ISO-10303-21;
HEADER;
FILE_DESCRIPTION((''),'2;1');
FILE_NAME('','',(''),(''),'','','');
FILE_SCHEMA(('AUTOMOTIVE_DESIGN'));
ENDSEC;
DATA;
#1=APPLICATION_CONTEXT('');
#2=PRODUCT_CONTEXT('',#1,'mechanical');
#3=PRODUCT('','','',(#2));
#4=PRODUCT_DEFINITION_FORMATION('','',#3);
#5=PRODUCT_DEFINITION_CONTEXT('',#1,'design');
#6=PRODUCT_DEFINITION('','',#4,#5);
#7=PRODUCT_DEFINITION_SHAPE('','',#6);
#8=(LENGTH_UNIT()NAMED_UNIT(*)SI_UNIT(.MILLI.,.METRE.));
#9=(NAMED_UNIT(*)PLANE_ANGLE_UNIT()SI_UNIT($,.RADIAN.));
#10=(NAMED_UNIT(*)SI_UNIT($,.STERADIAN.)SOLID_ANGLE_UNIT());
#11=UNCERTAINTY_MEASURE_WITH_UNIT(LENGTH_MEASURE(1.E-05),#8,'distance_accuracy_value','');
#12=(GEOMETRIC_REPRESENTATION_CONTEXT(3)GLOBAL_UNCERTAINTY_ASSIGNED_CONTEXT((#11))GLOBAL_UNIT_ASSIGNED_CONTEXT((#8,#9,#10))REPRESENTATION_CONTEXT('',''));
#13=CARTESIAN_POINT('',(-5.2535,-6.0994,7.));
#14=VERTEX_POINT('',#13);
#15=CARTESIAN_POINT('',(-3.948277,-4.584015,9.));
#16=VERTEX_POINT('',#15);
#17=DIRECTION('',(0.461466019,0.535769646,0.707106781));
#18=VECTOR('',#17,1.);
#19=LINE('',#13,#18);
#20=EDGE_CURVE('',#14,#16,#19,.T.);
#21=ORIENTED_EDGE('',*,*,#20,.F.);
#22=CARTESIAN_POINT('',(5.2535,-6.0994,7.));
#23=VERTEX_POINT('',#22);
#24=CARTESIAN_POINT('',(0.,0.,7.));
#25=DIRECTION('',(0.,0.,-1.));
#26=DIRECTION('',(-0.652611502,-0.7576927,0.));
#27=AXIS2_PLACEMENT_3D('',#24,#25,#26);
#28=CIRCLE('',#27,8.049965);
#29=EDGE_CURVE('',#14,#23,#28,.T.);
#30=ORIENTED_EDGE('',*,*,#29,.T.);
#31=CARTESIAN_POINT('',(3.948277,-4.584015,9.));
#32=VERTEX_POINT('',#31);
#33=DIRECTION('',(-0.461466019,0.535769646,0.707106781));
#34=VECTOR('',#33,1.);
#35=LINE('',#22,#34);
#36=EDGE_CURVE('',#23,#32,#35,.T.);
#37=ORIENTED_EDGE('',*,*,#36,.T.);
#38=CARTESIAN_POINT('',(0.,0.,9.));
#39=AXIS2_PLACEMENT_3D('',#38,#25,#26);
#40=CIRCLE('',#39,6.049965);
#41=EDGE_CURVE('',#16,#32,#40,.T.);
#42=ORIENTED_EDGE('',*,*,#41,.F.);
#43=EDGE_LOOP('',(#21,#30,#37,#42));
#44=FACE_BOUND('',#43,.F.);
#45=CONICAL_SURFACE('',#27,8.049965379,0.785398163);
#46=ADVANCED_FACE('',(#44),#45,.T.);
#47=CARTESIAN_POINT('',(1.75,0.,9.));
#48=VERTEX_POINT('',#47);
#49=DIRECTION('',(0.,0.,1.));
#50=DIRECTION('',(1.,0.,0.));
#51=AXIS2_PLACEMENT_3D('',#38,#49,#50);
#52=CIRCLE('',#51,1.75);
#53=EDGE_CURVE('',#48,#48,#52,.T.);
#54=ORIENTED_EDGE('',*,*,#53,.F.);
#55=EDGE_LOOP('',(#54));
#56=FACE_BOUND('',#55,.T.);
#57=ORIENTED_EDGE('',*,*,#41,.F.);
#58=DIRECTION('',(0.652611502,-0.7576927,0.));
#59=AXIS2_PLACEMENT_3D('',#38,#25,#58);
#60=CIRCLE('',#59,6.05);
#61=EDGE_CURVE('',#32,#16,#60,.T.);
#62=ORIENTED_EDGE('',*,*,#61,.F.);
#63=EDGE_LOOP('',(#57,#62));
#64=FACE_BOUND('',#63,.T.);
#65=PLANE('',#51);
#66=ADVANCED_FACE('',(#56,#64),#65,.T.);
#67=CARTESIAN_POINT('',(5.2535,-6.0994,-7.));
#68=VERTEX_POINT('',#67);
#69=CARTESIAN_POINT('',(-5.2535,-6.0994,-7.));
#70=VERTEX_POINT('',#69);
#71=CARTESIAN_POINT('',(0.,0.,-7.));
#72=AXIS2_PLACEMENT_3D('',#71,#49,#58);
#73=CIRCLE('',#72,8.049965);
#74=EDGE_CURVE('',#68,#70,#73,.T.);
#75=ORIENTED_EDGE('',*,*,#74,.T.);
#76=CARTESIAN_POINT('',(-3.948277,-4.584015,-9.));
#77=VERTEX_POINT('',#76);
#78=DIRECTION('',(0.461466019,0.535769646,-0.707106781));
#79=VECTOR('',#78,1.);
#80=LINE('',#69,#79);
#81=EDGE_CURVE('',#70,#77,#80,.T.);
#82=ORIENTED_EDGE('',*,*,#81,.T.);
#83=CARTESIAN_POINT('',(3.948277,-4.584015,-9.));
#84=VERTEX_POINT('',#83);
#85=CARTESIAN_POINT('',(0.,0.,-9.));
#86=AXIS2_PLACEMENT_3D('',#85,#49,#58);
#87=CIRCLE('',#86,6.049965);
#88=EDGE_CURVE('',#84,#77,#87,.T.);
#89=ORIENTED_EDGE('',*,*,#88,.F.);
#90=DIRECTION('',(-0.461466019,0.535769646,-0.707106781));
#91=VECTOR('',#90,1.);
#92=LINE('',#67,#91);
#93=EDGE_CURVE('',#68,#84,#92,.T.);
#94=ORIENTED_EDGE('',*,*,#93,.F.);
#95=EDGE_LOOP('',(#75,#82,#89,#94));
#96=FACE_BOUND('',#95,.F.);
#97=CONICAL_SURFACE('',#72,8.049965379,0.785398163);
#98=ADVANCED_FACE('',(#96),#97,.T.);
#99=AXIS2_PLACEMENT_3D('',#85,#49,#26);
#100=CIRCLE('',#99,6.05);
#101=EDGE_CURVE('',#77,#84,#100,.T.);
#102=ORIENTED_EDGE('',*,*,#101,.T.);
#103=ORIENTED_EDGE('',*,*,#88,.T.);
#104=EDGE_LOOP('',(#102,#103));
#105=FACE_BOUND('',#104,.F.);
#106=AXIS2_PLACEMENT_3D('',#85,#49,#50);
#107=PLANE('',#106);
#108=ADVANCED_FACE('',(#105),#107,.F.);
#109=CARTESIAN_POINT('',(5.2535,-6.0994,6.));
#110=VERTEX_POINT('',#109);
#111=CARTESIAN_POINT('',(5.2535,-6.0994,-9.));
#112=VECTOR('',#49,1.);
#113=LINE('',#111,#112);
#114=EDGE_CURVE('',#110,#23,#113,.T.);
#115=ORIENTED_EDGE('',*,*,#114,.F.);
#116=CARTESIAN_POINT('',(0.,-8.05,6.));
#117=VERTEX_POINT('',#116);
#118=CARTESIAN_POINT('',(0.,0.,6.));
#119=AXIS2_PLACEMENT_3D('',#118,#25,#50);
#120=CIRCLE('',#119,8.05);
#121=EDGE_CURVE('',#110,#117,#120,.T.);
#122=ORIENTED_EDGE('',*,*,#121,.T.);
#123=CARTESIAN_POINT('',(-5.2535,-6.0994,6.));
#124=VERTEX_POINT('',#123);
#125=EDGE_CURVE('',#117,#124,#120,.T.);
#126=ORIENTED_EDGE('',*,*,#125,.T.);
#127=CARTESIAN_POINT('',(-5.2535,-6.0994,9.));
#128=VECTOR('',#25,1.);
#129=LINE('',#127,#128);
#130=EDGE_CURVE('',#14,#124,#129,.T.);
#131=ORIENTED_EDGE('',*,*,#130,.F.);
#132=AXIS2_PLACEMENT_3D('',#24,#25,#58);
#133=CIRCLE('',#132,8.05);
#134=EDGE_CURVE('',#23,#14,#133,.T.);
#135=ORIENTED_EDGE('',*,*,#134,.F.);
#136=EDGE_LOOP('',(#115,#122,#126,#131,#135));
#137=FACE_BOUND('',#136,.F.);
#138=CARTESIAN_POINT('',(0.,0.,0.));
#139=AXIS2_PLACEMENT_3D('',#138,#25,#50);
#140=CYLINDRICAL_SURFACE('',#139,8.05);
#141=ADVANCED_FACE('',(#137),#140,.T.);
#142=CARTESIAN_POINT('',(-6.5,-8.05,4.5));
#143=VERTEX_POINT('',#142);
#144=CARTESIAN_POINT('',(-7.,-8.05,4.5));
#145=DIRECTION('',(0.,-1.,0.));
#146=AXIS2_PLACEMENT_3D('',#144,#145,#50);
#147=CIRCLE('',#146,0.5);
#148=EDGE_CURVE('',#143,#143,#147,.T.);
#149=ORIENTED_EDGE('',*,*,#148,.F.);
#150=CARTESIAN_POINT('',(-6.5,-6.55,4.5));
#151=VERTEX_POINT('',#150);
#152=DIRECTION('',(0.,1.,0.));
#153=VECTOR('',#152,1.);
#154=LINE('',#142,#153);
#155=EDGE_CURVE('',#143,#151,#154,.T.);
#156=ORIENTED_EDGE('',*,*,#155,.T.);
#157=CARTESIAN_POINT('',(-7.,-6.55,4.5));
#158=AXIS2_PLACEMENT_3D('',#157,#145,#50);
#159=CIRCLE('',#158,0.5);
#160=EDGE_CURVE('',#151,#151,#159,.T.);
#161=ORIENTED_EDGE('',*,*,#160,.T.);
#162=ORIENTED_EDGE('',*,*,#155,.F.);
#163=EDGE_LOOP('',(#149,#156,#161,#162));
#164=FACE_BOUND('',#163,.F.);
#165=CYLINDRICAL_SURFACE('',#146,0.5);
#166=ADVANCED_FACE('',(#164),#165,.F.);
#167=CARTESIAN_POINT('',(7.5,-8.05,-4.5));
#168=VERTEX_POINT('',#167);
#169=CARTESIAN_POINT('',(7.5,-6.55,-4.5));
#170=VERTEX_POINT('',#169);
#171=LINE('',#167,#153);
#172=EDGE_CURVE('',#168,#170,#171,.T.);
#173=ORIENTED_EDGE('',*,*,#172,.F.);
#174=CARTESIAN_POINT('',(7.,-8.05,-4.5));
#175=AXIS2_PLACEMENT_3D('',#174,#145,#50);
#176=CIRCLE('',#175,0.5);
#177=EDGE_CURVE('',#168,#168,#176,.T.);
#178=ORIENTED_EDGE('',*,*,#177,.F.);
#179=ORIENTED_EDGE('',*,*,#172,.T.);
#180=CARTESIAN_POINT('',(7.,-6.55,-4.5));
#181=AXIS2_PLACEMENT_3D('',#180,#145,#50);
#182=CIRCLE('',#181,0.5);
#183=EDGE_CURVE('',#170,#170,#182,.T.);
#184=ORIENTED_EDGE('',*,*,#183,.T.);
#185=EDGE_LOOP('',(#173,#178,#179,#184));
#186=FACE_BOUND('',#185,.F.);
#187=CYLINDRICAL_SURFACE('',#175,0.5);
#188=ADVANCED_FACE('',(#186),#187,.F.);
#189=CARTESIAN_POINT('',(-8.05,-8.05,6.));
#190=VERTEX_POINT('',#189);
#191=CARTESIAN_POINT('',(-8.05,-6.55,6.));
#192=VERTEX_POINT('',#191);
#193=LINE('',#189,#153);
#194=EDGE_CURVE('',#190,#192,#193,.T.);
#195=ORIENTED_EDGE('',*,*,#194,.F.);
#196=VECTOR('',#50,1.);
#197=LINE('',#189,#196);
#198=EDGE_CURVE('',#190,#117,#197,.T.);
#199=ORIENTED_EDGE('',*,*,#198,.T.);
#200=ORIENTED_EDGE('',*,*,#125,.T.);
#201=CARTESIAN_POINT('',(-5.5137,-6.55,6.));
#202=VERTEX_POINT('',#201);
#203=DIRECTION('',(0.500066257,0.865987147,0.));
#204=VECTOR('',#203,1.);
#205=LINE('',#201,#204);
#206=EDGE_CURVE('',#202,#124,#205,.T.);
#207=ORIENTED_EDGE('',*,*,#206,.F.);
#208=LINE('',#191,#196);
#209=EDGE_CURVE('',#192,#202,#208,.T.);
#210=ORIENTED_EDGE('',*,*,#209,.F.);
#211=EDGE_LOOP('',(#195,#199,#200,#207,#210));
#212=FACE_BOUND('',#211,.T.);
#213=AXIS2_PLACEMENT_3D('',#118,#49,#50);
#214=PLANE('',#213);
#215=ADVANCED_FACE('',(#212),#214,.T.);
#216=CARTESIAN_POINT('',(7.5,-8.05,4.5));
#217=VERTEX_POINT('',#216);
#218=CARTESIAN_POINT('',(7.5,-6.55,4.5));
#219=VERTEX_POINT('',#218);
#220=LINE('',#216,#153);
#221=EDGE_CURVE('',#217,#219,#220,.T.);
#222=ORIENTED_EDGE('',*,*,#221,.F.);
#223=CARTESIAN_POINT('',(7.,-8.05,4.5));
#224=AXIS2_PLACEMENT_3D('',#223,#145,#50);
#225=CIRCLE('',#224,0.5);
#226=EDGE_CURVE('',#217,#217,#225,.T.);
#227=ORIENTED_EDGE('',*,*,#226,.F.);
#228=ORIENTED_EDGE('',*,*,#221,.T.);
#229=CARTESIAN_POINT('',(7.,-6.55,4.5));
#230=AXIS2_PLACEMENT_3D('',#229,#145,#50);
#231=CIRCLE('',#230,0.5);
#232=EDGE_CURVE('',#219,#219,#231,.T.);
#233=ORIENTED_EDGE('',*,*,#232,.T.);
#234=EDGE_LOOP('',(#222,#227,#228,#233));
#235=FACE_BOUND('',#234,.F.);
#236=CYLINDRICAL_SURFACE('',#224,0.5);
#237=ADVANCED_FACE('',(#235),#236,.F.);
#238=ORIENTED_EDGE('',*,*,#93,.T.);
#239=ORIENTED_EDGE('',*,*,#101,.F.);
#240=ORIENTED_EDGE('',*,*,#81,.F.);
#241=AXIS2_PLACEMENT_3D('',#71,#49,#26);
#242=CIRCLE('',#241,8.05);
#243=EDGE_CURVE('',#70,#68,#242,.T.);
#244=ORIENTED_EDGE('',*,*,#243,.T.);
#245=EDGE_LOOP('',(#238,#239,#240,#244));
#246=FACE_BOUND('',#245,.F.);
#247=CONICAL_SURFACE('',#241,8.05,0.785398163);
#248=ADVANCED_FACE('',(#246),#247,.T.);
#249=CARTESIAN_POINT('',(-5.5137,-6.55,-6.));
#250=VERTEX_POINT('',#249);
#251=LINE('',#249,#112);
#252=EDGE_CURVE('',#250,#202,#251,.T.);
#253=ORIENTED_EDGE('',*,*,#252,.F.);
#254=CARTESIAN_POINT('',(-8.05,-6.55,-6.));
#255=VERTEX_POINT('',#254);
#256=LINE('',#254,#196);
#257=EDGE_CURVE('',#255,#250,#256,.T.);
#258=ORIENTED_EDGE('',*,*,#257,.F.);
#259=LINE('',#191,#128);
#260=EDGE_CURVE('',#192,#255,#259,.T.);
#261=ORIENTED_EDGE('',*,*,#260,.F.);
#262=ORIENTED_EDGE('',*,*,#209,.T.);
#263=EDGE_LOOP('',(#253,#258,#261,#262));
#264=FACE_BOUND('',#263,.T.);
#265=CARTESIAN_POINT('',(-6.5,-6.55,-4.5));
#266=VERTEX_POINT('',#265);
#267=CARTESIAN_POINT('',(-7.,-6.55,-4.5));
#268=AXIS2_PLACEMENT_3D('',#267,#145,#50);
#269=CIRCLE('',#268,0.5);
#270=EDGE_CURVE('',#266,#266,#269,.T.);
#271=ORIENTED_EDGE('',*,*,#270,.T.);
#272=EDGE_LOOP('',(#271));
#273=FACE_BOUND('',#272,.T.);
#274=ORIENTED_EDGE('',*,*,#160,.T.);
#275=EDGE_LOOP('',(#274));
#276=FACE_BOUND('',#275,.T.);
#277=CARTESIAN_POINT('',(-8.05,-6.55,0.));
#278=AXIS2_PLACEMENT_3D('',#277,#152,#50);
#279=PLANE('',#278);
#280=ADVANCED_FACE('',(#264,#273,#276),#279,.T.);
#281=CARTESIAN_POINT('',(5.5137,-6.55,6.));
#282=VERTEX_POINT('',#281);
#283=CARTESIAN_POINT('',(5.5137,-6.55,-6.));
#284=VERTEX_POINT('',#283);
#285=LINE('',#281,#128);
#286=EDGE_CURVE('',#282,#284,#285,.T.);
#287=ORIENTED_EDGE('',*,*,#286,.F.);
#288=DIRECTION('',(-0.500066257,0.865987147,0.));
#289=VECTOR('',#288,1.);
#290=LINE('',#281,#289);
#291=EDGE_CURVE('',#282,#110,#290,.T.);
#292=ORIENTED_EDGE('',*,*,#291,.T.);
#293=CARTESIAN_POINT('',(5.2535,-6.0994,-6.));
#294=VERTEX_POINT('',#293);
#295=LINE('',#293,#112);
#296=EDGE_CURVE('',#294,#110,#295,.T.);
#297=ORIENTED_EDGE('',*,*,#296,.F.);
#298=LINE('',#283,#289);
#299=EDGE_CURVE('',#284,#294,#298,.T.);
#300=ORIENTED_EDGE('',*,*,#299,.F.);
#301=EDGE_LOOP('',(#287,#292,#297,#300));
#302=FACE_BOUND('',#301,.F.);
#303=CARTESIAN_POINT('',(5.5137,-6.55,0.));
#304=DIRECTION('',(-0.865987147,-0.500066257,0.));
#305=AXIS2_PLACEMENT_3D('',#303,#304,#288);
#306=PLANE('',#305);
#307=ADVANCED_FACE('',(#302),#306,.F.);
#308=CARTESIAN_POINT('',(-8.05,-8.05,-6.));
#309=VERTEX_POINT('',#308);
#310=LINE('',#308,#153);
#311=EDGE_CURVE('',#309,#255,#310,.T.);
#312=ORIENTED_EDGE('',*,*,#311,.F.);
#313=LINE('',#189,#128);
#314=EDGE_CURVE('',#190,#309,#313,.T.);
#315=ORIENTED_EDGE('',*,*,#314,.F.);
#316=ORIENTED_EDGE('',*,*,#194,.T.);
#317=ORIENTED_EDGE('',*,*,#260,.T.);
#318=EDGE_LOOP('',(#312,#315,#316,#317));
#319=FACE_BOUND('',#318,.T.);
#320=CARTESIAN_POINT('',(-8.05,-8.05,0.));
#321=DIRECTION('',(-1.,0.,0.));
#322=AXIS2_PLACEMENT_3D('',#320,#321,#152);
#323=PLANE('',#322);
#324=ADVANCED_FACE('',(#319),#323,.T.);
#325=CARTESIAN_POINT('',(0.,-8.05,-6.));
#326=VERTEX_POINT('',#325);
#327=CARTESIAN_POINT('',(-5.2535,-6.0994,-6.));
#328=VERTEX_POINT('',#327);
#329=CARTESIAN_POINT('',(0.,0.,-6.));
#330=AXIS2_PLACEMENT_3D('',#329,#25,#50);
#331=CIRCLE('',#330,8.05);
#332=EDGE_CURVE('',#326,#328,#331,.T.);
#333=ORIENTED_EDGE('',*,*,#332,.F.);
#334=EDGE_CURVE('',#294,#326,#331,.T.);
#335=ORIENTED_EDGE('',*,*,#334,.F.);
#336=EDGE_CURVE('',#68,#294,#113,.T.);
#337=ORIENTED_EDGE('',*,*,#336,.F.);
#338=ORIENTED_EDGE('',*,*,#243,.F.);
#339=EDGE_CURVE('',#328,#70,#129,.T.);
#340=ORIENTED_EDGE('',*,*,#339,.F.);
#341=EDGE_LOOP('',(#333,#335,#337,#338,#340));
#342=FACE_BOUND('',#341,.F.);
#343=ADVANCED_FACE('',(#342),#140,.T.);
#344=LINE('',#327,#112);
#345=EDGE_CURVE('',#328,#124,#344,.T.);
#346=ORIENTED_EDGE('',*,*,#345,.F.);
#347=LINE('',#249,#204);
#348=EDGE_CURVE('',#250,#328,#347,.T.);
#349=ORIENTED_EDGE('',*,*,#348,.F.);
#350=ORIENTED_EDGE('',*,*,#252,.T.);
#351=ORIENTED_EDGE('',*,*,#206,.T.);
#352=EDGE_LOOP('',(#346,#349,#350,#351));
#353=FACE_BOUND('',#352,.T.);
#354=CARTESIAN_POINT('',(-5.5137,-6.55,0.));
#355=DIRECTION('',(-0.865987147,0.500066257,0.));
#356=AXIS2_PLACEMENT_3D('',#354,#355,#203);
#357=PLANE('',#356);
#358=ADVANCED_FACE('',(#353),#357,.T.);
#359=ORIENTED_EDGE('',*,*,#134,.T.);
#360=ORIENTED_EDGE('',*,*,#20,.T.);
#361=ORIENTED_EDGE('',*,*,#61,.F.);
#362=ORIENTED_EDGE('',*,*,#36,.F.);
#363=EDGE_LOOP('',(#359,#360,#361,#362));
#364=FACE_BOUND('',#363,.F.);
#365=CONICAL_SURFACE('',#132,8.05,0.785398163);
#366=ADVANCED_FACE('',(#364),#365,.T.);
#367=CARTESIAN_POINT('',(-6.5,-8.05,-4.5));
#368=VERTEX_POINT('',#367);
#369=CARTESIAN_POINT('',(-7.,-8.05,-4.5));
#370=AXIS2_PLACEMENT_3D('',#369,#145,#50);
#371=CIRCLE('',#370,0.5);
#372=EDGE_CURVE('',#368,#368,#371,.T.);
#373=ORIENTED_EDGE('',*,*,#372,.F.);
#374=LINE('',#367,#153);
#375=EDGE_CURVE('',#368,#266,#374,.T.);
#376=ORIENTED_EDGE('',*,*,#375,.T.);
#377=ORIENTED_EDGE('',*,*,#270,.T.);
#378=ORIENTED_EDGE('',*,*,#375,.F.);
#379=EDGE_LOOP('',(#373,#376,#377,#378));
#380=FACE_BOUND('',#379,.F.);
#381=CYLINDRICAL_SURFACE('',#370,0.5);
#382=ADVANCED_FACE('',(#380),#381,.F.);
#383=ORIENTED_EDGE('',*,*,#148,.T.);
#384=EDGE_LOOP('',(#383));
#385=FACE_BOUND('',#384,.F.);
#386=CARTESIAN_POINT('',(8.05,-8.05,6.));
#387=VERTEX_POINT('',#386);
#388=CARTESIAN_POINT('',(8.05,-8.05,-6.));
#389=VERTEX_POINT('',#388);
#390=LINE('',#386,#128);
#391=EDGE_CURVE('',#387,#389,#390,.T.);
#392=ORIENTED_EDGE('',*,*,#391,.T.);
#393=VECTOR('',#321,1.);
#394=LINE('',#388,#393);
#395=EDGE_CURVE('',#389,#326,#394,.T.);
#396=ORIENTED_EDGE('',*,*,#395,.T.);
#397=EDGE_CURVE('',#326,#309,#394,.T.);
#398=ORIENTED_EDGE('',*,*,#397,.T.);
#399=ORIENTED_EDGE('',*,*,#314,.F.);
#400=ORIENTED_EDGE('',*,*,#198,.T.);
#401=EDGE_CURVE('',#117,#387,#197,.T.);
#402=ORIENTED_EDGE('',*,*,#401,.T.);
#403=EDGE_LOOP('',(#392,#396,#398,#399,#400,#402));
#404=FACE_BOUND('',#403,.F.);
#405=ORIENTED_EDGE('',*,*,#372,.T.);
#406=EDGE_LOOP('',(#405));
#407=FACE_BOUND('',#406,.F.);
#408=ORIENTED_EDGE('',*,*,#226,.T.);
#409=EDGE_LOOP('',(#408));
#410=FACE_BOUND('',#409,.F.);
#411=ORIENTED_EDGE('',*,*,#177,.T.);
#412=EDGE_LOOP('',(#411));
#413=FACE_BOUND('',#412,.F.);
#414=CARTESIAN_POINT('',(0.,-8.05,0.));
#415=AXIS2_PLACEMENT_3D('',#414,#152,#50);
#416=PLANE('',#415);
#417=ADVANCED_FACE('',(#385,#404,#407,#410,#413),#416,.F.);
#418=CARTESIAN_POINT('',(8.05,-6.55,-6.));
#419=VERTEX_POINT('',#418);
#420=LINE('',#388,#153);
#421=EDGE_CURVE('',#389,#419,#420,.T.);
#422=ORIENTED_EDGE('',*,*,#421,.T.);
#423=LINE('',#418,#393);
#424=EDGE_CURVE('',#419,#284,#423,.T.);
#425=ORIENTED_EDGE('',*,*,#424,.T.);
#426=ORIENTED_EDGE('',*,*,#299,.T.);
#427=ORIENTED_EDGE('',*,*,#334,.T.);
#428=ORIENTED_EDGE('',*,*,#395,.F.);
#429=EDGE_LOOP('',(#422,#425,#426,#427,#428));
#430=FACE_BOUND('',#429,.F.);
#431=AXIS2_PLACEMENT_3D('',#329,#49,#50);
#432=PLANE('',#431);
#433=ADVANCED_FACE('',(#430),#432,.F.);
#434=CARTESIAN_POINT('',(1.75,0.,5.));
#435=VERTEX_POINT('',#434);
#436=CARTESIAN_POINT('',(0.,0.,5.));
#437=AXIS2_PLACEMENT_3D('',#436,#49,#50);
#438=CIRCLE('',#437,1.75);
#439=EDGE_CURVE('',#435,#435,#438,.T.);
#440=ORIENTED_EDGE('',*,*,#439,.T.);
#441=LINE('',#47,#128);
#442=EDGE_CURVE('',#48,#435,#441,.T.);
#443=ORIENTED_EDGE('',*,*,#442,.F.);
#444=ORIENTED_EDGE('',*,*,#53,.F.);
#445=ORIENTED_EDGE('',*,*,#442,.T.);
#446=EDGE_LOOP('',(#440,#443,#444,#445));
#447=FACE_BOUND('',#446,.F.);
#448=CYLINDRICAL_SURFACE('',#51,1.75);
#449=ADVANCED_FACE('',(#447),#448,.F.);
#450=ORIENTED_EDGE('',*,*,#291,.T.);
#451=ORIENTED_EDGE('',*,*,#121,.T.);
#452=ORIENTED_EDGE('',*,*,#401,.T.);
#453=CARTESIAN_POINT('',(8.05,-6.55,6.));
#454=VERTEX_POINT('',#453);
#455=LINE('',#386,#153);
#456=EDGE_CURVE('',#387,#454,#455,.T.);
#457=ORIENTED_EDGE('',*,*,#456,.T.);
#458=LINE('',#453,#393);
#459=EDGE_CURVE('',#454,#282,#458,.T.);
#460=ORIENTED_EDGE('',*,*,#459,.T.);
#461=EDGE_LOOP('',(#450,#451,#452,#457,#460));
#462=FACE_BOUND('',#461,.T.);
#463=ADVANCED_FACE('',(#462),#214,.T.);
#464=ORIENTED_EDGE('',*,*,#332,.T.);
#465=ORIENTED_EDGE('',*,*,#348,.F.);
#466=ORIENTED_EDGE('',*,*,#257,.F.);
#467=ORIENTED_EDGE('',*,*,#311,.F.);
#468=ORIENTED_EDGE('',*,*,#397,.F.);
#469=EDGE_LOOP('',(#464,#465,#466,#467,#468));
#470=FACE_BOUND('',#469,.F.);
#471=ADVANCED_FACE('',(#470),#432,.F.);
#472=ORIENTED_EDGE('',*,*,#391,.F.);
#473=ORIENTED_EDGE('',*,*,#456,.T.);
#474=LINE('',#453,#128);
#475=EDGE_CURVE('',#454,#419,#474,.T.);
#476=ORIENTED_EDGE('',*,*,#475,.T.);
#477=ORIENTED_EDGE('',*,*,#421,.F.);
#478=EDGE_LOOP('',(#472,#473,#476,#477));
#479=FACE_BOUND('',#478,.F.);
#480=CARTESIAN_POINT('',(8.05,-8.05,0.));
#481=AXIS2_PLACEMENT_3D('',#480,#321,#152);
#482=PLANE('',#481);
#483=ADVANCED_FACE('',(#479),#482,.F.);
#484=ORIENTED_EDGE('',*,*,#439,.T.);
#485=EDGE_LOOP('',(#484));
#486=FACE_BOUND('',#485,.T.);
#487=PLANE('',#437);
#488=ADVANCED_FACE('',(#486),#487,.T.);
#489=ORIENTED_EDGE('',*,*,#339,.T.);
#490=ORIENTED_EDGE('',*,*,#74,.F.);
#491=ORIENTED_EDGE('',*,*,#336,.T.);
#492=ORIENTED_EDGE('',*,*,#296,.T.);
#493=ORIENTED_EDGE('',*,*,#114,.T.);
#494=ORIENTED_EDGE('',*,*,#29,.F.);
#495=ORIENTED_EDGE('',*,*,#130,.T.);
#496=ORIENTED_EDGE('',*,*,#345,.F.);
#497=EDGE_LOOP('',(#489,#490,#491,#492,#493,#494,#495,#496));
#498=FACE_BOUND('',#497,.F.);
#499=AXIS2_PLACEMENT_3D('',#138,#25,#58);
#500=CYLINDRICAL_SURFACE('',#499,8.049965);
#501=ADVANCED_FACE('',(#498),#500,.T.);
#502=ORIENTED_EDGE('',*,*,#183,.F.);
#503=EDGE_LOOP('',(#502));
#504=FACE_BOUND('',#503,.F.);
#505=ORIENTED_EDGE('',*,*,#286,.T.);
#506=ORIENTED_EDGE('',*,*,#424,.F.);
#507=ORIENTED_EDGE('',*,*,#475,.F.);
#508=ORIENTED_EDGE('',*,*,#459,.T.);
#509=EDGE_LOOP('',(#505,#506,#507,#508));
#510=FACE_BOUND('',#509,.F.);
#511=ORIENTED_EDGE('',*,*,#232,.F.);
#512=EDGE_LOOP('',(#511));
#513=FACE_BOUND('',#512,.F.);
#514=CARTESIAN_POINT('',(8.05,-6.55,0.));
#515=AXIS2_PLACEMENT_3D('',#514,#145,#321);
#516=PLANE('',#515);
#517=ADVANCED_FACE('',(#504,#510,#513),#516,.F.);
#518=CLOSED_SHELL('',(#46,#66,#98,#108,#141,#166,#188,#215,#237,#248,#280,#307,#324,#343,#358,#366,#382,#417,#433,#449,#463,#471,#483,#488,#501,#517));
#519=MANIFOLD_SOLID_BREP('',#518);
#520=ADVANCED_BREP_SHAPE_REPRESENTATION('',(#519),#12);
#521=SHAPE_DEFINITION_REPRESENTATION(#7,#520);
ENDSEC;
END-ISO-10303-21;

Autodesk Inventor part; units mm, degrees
ref_plane "YZ Plane" through (0, 0, 0) normal (1, 0, 0) x (0, 1, 0)
ref_plane "XZ Plane" through (0, 0, 0) normal (0, 1, 0) x (-1, 0, 0)
ref_plane "XY Plane" through (0, 0, 0) normal (0, 0, 1) x (1, 0, 0)
sketch "Sketch1" plane through (0, 0, 0) normal (0, 0, 1) x (1, 0, 0)
  arc A0 (5.2535, -6.0994) -> (-5.2535, -6.0994) centre (0, 0) ccw
  line L0 (0, 0) -> (0, -8.05) construction
  line L1 (0, -8.05) -> (8.05, -8.05)
  line L2 (8.05, -8.05) -> (8.05, -6.55)
  line L3 (8.05, -6.55) -> (5.5137, -6.55)
  line L4 (0, 0) -> (4.025, -6.9715) construction
  line L5 (5.5137, -6.55) -> (5.2535, -6.0994)
  line L6 (0, 0) -> (8.05, 0) construction
  line L7 (0, -8.05) -> (-8.05, -8.05)
  line L8 (-8.05, -8.05) -> (-8.05, -6.55)
  line L9 (-8.05, -6.55) -> (-5.5137, -6.55)
  line L10 (-5.5137, -6.55) -> (-5.2535, -6.0994)
  dimension "d0" = 16.1
  dimension "d1" = 30
  dimension "d2" = 1.5
  dimension "d3" = 1.5
extrude "Extrusion1" add sketch "Sketch1" along normal mid plane 12
sketch "Sketch2" plane through (0, 0, 0) normal (0, 0, 1) x (1, 0, 0)
  arc A0 (5.2535, -6.0994) -> (-5.2535, -6.0994) centre (0, 0) ccw projected
  circle A1 centre (0, 0) radius 8.05
  point P0 (4.8598, -6.4175)
extrude "Extrusion2" add sketch "Sketch2" along normal mid plane 18
chamfer "Chamfer1" distance 2 angle 45 2 edges at (-8.05, 0, 9) (-8.05, 0, -9)
sketch "Sketch3" plane through (0, 0, 9) normal (0, 0, 1) x (1, 0, 0)
  circle A0 centre (0, 0) radius 6.05 projected
  circle A1 centre (0, 0) radius 1.75
  dimension "d11" = 3.5
extrude "Extrusion3" cut sketch "Sketch3" against normal blind 4 contours A1
sketch "Sketch4" plane through (-8.05, -8.05, 6) normal (0, -1, 0) x (1, 0, 0)
  line L0 (0, -12) -> (0, 0) projected
  line L1 (16.1, -12) -> (16.1, 0) projected
  line L2 (16.1, 0) -> (8.05, 0) projected
  line L3 (8.05, 0) -> (8.05, -12) construction
  line L4 (0, -6) -> (16.1, -6) construction
  line L5 (1.05, -1.5) -> (15.05, -1.5) construction
  line L6 (15.05, -1.5) -> (15.05, -10.5) construction
  line L7 (15.05, -10.5) -> (1.05, -10.5) construction
  line L8 (1.05, -10.5) -> (1.05, -1.5) construction
  circle A0 centre (1.05, -1.5) radius 0.5
  circle A1 centre (15.05, -1.5) radius 0.5
  circle A2 centre (1.05, -10.5) radius 0.5
  circle A3 centre (15.05, -10.5) radius 0.5
  dimension "d14" = 9
  dimension "d15" = 4.5
  dimension "d16" = 14
  dimension "d17" = 7
  dimension "d18" = 1
extrude "Extrusion4" cut sketch "Sketch4" against normal up to surface (1.5 mm away)
properties part number "Motor"
